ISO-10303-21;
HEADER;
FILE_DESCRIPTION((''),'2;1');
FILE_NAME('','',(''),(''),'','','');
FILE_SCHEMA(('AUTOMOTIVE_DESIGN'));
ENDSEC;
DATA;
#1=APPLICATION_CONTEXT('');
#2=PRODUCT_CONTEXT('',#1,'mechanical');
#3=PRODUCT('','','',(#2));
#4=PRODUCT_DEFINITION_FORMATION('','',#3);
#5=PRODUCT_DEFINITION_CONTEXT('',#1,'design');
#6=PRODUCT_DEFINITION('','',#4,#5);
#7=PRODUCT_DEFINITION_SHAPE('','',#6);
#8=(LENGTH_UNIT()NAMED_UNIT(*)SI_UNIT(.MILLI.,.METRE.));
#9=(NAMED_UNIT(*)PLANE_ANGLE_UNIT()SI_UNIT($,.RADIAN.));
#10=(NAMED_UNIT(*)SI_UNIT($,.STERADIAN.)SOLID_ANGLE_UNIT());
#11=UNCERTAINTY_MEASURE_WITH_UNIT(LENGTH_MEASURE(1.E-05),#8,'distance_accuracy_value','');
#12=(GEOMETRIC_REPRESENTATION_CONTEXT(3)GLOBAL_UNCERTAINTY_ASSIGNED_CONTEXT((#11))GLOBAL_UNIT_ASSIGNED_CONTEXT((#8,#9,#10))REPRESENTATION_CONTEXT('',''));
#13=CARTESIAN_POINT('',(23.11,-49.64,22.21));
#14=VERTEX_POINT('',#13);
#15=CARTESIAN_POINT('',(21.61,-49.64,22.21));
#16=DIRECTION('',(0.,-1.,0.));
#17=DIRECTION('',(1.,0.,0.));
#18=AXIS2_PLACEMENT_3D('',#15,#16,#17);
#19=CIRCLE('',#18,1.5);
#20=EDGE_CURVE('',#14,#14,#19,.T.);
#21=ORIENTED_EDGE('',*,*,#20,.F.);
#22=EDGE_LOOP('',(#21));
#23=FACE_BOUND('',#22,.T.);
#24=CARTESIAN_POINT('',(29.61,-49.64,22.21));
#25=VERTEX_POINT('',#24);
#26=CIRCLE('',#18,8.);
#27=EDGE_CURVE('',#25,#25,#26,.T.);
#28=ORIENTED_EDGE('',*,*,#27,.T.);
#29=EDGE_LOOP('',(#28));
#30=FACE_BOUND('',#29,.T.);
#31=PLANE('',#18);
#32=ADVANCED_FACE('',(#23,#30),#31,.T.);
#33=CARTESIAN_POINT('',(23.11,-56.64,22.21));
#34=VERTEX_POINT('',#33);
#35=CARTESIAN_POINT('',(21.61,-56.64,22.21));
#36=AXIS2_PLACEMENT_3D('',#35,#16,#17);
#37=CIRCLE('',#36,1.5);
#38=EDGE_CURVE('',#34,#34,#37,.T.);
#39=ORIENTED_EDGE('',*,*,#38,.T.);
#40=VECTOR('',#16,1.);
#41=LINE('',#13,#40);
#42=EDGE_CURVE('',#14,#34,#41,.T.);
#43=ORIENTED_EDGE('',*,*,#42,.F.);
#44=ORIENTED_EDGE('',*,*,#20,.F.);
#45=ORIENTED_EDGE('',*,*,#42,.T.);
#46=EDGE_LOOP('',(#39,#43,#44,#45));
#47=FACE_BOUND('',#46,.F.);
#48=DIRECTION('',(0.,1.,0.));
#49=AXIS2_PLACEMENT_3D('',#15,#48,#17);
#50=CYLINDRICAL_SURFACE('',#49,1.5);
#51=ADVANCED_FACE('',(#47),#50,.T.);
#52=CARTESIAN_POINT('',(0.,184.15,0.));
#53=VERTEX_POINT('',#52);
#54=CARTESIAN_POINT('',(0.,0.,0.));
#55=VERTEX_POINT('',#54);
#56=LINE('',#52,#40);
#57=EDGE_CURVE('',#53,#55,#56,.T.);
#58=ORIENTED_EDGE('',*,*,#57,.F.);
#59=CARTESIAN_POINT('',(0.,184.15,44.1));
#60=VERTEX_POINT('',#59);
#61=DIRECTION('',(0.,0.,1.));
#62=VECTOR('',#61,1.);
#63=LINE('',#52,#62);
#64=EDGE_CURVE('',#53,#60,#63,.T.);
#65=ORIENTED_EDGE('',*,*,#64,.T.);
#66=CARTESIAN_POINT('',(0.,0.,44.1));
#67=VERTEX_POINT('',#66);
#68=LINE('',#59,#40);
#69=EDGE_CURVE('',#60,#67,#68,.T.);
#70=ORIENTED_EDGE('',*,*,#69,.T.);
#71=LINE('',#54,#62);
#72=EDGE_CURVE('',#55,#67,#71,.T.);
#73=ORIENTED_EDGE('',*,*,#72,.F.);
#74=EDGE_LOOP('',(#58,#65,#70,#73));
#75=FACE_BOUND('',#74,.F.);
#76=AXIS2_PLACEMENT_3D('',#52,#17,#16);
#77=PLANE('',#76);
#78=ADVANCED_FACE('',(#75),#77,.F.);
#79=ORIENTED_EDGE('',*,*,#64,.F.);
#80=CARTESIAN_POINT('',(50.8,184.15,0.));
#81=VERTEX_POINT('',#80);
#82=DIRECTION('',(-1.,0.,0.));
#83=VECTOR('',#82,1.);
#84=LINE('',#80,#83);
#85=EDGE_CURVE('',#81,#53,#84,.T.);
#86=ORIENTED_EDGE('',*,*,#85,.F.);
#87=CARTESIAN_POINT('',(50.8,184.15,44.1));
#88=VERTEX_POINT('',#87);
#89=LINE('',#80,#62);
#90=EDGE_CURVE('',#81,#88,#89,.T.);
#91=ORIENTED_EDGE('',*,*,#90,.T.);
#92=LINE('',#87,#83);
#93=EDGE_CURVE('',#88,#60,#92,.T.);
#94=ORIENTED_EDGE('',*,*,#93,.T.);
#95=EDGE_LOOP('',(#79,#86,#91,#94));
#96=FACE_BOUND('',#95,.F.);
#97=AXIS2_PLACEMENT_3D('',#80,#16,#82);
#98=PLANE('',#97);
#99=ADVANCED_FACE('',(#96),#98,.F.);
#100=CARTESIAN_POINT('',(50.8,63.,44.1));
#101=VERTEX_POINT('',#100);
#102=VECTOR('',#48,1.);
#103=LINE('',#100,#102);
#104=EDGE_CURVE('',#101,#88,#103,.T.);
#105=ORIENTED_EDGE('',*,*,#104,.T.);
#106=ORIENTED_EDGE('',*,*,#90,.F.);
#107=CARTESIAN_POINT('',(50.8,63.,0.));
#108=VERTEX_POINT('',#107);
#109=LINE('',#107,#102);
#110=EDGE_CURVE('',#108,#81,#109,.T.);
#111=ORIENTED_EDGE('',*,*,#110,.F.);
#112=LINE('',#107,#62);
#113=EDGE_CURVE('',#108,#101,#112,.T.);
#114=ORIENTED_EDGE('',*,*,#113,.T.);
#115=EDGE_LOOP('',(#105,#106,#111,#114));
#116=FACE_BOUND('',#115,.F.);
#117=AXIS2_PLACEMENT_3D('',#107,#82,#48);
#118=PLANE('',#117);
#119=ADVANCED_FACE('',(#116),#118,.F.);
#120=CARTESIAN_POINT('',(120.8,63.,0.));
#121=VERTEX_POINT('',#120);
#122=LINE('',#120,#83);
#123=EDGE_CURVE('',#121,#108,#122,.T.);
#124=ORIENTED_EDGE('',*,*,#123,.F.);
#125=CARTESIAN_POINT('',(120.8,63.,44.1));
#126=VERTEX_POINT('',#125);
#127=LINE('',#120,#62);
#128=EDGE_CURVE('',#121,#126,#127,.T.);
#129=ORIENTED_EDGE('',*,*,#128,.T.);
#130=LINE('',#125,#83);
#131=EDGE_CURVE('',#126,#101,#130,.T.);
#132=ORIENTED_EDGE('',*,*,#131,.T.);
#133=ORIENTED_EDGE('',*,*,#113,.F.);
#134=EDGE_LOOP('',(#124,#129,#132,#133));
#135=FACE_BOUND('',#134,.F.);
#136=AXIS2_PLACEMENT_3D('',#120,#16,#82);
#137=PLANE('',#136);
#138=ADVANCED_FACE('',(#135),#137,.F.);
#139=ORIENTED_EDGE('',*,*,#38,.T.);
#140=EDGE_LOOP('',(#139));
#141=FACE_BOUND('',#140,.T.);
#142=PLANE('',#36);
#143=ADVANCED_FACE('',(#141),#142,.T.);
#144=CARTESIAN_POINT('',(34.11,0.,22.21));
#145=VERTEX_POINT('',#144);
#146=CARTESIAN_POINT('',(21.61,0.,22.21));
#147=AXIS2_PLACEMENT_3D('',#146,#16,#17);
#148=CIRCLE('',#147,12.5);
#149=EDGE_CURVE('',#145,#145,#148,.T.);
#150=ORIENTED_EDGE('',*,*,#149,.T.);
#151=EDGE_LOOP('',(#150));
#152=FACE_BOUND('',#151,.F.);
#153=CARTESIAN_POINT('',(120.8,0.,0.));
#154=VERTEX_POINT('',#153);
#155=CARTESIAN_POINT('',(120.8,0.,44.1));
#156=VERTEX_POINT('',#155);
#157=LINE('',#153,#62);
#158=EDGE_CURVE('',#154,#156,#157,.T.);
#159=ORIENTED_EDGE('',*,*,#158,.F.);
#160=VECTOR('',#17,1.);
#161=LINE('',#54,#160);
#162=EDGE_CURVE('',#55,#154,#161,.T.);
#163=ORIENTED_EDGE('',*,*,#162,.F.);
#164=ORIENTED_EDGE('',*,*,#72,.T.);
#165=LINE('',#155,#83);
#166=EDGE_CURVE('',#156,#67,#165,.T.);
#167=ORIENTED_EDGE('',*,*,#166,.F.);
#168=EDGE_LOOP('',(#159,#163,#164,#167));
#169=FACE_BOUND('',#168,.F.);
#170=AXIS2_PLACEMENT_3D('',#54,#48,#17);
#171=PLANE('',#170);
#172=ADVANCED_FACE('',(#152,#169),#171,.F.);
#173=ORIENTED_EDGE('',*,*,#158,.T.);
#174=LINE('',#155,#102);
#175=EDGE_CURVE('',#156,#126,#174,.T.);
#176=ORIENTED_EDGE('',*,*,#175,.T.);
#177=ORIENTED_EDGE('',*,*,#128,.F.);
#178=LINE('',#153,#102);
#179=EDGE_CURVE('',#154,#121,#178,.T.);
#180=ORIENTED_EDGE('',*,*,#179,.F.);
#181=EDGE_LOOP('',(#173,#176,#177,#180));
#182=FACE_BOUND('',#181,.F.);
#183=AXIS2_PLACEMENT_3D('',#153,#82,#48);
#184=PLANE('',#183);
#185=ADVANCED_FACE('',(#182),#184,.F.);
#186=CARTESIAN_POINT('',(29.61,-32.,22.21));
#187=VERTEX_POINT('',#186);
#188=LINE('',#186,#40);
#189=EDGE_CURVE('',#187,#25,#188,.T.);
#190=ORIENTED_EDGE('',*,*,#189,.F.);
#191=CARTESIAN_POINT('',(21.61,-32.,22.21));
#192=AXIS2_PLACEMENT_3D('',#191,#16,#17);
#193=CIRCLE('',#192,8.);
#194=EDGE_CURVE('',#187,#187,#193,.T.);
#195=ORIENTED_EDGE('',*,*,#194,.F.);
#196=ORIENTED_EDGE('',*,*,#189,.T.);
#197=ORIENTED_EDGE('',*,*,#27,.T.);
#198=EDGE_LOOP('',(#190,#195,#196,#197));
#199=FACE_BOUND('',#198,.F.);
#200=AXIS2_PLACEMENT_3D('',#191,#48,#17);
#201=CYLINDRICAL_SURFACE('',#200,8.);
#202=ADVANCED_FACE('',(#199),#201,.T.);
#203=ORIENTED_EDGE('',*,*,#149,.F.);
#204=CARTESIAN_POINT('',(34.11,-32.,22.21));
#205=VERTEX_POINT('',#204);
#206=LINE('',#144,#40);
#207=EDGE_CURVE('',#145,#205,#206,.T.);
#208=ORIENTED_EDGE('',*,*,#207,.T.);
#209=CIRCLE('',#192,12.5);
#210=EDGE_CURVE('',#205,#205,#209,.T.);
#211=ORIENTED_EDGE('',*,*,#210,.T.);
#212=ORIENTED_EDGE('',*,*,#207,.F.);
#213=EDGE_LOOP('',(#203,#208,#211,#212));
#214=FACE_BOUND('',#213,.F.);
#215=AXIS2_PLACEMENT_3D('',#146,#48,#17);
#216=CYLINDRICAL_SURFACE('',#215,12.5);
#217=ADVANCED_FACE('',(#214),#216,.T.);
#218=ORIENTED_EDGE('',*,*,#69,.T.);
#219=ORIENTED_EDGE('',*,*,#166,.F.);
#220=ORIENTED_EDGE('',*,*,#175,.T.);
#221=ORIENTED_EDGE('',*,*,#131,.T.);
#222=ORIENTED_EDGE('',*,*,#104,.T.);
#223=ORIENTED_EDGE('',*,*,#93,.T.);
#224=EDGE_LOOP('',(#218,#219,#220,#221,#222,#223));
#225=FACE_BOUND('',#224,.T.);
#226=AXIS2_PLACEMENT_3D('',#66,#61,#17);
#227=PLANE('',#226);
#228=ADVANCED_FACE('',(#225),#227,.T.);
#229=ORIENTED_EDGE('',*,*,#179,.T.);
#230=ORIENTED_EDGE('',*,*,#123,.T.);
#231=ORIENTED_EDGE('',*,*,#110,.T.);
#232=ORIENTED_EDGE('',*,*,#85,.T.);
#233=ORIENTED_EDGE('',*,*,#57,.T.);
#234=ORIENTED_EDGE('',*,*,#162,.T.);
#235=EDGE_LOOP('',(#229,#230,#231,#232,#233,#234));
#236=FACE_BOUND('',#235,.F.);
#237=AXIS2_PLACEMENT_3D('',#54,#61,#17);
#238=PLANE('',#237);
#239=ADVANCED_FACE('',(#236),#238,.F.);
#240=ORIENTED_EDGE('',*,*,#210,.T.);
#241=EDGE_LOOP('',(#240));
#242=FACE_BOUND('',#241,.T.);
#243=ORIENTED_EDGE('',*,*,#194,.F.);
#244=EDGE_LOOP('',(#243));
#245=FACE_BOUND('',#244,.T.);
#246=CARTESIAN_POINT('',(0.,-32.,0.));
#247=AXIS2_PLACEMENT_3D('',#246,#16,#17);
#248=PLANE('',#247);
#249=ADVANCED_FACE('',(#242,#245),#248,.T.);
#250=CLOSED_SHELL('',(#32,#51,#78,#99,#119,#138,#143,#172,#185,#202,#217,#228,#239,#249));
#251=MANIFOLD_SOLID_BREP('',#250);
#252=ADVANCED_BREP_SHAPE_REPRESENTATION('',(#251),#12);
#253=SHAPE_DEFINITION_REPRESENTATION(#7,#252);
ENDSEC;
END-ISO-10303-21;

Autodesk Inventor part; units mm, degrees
ref_plane "YZ Plane" through (0, 0, 0) normal (1, 0, 0) x (0, 1, 0)
ref_plane "XZ Plane" through (0, 0, 0) normal (0, 1, 0) x (-1, 0, 0)
ref_plane "XY Plane" through (0, 0, 0) normal (0, 0, 1) x (1, 0, 0)
sketch "Sketch1" plane through (0, 0, 0) normal (0, 0, 1) x (1, 0, 0)
  line L0 (0, 0) -> (50.8, 0)
  line L1 (50.8, 63) -> (50.8, 184.15)
  line L2 (50.8, 184.15) -> (0, 184.15)
  line L3 (0, 184.15) -> (0, 0)
  line L4 (50.8, 0) -> (120.8, 0)
  line L5 (120.8, 0) -> (120.8, 63)
  line L6 (120.8, 63) -> (50.8, 63)
  line L7 (50.8, 63) -> (50.8, 0)
  dimension "d0" = 50.8
  dimension "d2" = 70
  dimension "d3" = 63
extrude "Extrusion2" add sketch "Sketch1" along normal blind 44.1
sketch "Sketch3" plane through (0, 0, 0) normal (0, -1, 0) x (1, 0, 0)
  line L0 (120.8, 44.1) -> (0, 44.1) projected
  line L1 (0, 0) -> (0, 44.1) projected
  line L2 (0, 0) -> (120.8, 0) projected
  line L3 (120.8, 0) -> (120.8, 44.1) projected
sketch "Sketch4" plane through (0, 0, 0) normal (0, -1, 0) x (1, 0, 0)
  circle A0 centre (21.61, 22.21) radius 12.5
  dimension "d8" = 25
extrude "Extrusion3" add sketch "Sketch4" along normal blind 32
sketch "Sketch5" plane through (21.61, -32, 22.21) normal (0, -1, 0) x (1, 0, 0)
  circle A0 centre (0, 0) radius 12.5 projected
  circle A1 centre (0, 0) radius 8
  point P0 (-21.61, -22.21)
  dimension "d12" = 16
extrude "Extrusion4" add sketch "Sketch5" along normal blind 17.64 contours A1
sketch "Sketch6" plane through (21.61, -49.64, 22.21) normal (0, -1, 0) x (1, 0, 0)
  circle A0 centre (0, 0) radius 8 projected
  circle A1 centre (0, 0) radius 1.5
  point P0 (-21.61, -22.21)
  dimension "d15" = 3
extrude "Extrusion5" add sketch "Sketch6" along normal blind 7 contours A1
sketch "Sketch7" plane through (21.61, -56.64, 22.21) normal (0, -1, 0) x (1, 0, 0)
  circle A0 centre (0, 0) radius 1.5 projected
  point P0 (-21.61, -22.21)
properties part number "tool Part1"
